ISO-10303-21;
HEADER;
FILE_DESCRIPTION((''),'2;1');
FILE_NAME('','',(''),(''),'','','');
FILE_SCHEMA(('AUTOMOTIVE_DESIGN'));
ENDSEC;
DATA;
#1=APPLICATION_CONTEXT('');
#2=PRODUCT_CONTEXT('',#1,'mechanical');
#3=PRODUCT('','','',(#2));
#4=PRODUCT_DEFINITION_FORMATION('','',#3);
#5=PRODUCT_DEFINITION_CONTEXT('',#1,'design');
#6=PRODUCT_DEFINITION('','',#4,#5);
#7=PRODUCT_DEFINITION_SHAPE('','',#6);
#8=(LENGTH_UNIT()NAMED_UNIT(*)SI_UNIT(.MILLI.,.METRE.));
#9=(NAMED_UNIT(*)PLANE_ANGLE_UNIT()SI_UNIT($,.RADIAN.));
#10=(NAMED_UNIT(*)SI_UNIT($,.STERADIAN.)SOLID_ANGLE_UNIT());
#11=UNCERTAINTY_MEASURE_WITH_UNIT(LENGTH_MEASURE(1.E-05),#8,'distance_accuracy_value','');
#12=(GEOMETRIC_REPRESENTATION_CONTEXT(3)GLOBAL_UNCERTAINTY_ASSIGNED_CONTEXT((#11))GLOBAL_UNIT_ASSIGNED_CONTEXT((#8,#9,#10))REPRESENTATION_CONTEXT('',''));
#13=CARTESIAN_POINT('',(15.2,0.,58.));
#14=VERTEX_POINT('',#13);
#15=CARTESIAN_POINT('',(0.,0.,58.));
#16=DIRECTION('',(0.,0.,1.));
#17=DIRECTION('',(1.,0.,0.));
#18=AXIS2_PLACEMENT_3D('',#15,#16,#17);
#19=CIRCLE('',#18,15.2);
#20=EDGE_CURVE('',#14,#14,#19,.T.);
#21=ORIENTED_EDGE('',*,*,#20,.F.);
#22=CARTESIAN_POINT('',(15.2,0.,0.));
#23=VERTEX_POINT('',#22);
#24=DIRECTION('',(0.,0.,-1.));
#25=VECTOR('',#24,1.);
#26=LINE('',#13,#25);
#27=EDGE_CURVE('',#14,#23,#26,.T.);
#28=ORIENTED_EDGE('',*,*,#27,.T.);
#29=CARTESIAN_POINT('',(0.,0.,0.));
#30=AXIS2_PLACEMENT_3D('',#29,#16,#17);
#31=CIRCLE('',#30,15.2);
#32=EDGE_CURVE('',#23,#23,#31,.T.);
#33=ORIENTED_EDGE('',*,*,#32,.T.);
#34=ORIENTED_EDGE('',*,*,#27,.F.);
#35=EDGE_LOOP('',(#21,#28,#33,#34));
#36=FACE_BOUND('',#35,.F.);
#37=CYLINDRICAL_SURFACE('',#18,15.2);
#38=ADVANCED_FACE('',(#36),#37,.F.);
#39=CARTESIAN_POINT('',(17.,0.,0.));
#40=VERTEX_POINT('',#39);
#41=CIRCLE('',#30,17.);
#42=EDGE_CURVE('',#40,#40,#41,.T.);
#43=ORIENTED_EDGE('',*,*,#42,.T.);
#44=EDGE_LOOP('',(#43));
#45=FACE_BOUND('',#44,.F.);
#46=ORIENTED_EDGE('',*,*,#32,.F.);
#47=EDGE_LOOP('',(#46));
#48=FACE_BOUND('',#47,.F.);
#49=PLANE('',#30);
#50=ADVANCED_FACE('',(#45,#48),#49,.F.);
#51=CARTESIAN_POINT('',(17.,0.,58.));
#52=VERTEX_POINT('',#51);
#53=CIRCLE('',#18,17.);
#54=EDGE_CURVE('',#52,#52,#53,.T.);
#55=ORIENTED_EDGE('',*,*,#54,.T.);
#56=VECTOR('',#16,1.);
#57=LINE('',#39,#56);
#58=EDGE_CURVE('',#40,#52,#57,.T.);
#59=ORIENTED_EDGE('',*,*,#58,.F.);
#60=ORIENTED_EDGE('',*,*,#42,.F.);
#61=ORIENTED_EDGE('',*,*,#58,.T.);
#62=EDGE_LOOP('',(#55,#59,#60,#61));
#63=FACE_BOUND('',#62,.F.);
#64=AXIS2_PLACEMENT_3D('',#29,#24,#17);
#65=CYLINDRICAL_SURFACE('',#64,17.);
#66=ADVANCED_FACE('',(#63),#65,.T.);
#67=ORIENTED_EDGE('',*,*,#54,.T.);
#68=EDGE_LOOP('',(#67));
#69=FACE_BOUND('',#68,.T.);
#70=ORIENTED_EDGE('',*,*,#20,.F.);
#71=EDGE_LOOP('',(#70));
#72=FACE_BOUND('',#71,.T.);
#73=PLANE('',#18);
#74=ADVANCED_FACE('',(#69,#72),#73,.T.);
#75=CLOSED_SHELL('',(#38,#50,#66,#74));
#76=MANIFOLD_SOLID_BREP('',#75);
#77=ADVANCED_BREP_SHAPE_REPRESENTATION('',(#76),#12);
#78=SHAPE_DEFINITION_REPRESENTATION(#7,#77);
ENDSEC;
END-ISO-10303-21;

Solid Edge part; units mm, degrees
sketch "Sketch1" plane through (0, 0, 0) normal (0, 0, 1) x (1, 0, 0)
  circle A0 centre (0, 0) radius 17
extrude "Protrusion1" add sketch "Sketch1" along normal blind 58
sketch "Sketch2" plane through (0, 0, 58) normal (0, 0, 1) x (1, 0, 0)
  circle A0 centre (0, 0) radius 15.2
extrude "Cutout1" cut sketch "Sketch2" against normal up to vertex (58 mm away)
properties material "Epoxy, cast rigid"
